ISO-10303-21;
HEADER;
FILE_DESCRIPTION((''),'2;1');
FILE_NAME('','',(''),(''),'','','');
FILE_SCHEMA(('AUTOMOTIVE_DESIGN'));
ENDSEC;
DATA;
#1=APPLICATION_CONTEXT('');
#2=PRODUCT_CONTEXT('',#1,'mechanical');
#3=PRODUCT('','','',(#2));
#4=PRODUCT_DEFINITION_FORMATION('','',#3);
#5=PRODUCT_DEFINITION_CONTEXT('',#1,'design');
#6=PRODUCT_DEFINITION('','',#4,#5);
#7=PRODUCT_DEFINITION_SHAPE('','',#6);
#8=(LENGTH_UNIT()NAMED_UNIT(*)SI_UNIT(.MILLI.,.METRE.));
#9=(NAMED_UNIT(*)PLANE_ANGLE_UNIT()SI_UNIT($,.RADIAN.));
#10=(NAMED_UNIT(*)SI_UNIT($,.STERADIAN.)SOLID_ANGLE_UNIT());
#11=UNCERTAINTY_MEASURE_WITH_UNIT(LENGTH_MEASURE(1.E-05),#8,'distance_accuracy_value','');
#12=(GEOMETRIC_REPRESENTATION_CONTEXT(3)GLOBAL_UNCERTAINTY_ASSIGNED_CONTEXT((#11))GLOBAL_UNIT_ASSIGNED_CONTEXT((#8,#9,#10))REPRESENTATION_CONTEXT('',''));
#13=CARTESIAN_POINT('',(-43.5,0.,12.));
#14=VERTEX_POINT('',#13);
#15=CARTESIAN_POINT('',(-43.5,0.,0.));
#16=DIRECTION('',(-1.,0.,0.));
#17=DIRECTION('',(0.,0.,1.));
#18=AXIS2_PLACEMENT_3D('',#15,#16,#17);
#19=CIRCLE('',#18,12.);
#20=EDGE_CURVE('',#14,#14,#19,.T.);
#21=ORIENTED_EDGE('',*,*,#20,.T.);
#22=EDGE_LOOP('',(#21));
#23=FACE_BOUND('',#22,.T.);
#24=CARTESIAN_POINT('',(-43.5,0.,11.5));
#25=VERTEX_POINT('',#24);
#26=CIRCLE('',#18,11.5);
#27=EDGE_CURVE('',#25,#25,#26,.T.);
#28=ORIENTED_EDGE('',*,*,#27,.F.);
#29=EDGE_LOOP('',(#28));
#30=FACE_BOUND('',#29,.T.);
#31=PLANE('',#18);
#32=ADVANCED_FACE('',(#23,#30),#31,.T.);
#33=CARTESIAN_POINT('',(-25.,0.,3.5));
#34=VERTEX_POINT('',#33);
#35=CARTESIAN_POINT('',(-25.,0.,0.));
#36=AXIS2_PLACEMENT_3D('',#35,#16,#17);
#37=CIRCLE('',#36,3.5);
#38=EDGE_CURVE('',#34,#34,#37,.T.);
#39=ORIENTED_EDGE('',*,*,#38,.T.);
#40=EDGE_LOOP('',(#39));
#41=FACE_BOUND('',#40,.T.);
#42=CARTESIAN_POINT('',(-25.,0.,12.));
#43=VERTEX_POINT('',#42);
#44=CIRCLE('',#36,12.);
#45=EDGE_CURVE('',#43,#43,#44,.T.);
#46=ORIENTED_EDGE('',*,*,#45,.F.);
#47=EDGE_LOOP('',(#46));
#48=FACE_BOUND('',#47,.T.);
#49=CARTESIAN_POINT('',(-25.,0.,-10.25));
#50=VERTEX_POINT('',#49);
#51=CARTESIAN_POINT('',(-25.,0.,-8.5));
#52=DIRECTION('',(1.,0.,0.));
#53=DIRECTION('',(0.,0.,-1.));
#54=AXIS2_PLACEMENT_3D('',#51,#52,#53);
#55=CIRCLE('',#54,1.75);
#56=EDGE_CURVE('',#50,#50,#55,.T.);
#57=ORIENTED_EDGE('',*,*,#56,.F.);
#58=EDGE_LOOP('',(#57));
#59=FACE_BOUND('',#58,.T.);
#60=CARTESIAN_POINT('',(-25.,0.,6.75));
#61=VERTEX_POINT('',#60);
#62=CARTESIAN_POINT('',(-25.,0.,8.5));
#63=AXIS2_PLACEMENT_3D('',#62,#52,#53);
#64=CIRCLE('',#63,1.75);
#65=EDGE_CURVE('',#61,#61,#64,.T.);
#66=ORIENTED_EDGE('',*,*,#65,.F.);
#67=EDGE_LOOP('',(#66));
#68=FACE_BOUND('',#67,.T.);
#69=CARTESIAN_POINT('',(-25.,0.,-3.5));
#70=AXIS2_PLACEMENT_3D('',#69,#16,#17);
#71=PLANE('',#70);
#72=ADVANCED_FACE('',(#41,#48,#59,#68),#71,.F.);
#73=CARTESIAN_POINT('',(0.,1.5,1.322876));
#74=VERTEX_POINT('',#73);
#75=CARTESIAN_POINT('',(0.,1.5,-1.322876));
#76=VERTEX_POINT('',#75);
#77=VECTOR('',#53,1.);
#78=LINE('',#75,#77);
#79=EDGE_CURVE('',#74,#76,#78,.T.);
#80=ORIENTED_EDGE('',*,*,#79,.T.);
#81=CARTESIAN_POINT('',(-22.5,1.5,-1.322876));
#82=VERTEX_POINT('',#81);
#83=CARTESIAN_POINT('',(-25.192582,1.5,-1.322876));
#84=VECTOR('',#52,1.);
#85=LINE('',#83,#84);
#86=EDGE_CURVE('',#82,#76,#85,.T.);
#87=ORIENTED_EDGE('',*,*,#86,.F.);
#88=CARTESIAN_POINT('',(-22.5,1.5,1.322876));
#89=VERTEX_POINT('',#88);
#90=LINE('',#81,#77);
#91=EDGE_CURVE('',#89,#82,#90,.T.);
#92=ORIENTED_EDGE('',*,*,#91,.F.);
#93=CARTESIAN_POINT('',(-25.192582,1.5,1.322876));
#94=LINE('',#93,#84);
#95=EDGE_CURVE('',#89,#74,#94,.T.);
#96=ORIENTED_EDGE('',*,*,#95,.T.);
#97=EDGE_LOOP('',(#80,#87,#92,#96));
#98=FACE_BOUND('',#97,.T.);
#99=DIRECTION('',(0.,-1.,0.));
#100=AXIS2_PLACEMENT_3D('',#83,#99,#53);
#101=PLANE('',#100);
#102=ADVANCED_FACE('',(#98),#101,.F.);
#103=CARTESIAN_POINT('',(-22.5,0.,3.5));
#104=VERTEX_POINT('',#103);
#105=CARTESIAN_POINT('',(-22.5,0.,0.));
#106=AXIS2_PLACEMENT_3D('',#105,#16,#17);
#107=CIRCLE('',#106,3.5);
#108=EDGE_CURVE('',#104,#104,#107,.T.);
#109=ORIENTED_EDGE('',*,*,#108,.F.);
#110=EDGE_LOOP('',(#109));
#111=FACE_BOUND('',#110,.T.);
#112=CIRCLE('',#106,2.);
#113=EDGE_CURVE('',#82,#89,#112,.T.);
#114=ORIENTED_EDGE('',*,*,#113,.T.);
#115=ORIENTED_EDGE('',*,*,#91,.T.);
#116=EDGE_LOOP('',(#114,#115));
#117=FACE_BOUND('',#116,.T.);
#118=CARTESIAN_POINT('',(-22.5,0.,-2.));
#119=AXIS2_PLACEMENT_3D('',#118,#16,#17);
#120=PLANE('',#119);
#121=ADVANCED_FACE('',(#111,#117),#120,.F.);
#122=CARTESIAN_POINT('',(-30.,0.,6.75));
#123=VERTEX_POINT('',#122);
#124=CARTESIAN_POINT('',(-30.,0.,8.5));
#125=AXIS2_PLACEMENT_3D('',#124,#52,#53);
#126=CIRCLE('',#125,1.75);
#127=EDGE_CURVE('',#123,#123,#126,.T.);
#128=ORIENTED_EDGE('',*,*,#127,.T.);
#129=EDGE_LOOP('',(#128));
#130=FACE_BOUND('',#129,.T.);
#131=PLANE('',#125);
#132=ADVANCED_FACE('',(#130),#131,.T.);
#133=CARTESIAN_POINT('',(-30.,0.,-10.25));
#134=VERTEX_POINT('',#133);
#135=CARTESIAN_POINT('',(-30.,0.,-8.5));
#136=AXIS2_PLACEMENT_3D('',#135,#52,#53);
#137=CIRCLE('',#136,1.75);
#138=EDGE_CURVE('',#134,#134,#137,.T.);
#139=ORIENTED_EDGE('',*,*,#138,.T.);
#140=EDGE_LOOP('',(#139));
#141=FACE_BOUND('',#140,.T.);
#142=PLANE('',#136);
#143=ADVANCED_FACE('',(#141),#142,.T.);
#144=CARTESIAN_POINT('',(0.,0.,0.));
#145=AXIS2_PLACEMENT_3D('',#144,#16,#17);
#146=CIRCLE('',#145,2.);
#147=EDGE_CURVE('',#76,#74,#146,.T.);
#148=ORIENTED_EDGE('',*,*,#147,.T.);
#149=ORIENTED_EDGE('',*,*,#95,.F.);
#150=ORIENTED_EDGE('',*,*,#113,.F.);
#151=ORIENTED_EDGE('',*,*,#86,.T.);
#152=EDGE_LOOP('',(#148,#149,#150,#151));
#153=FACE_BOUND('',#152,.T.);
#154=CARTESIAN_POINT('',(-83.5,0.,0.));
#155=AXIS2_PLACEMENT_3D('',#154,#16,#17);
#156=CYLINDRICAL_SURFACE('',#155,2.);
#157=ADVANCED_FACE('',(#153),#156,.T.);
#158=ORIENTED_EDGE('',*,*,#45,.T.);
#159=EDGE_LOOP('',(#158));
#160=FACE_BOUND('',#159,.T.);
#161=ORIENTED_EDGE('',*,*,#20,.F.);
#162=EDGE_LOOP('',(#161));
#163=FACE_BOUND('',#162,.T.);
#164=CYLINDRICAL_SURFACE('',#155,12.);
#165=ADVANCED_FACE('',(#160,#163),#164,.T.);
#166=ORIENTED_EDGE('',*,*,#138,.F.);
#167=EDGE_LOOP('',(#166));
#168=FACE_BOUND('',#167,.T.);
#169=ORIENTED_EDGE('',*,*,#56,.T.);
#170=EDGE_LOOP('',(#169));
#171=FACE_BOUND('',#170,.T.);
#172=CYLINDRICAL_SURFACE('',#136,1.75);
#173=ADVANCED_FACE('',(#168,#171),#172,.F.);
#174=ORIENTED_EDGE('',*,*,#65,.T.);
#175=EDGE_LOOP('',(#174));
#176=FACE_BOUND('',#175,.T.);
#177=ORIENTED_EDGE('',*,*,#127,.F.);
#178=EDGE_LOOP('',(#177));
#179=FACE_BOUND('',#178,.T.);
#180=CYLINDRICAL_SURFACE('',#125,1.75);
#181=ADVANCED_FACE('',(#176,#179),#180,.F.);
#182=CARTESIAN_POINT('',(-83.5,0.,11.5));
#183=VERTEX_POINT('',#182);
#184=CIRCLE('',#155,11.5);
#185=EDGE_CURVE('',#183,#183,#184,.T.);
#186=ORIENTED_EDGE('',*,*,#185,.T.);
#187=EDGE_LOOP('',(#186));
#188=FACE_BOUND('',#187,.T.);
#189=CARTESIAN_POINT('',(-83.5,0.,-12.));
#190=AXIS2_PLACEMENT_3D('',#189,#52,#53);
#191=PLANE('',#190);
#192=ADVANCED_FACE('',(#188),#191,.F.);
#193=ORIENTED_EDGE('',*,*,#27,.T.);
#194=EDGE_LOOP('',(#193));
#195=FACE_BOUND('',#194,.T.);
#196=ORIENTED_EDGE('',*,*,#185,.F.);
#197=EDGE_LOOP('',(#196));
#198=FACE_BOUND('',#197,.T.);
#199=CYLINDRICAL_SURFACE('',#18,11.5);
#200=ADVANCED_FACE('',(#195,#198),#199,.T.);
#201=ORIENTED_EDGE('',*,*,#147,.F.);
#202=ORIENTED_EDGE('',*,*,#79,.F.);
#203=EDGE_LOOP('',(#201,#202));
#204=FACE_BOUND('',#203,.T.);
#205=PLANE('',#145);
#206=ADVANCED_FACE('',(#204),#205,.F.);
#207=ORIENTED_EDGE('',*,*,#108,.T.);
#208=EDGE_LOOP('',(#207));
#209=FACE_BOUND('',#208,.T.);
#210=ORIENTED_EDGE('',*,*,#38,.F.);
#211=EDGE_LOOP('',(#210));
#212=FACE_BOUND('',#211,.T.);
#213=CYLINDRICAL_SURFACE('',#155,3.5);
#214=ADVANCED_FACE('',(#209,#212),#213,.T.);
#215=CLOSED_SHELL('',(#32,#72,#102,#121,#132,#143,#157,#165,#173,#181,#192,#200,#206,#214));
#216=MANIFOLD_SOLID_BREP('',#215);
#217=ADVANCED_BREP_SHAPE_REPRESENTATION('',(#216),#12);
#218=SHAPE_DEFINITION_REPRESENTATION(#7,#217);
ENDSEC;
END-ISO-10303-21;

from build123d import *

# Parameters (mm, degrees)
CUT_EXTRUDE1_START = -22.5
CUT_EXTRUDE1_DEPTH = 22.5
SKETCH4_R          = 1.75
CUT_EXTRUDE2_DEPTH = 5
SKETCH5_R          = 12
SKETCH5_R_2        = 11.5
CUT_EXTRUDE3_DEPTH = 40


with BuildPart() as part:
    # Sketch1 → Revolve1 (revolve)
    with BuildSketch(Plane(origin=(0, 0, 0), x_dir=(1, 0, 0), z_dir=(0, 1, 0)), mode=Mode.PRIVATE) as revolve1_sk:
        Polygon((-25, 12), (-83.5, 12), (-83.5, 0), (0, 0), (0, 2), (-22.5, 2), (-22.5, 3.5), (-25, 3.5), align=None)
    revolve(revolve1_sk.sketch.rotate(Axis((-83.5, 0, 0), (1, 0, 0)), 180), axis=Axis((-83.5, 0, 0), (1, 0, 0)))

    # Sketch2 → Cut-Extrude1 (cut)
    with BuildSketch(Plane(origin=(0, 0, 0), x_dir=(0, 0, -1), z_dir=(1, 0, 0)).offset(CUT_EXTRUDE1_START)):
        with BuildLine():
            Line((1.322875656, 1.5), (-1.322875656, 1.5))
            ThreePointArc((-1.322875656, 1.5), (0, 2), (1.322875656, 1.5))
        make_face()
    extrude(amount=CUT_EXTRUDE1_DEPTH, mode=Mode.SUBTRACT)

    # Sketch4 → Cut-Extrude2 (cut)
    with BuildSketch(Plane(origin=(-25, 0, 0), x_dir=(0, 0, -1), z_dir=(1, 0, 0))):
        with Locations((-8.5, 0)):
            Circle(SKETCH4_R)
        with Locations((8.5, 0)):
            Circle(SKETCH4_R)
    extrude(amount=-CUT_EXTRUDE2_DEPTH, mode=Mode.SUBTRACT)

    # Sketch5 → Cut-Extrude3 (cut)
    with BuildSketch(Plane.ZY.offset(83.5)):
        Circle(SKETCH5_R)
        Circle(SKETCH5_R_2, mode=Mode.SUBTRACT)
    extrude(amount=-CUT_EXTRUDE3_DEPTH, mode=Mode.SUBTRACT)


solid = part.part
